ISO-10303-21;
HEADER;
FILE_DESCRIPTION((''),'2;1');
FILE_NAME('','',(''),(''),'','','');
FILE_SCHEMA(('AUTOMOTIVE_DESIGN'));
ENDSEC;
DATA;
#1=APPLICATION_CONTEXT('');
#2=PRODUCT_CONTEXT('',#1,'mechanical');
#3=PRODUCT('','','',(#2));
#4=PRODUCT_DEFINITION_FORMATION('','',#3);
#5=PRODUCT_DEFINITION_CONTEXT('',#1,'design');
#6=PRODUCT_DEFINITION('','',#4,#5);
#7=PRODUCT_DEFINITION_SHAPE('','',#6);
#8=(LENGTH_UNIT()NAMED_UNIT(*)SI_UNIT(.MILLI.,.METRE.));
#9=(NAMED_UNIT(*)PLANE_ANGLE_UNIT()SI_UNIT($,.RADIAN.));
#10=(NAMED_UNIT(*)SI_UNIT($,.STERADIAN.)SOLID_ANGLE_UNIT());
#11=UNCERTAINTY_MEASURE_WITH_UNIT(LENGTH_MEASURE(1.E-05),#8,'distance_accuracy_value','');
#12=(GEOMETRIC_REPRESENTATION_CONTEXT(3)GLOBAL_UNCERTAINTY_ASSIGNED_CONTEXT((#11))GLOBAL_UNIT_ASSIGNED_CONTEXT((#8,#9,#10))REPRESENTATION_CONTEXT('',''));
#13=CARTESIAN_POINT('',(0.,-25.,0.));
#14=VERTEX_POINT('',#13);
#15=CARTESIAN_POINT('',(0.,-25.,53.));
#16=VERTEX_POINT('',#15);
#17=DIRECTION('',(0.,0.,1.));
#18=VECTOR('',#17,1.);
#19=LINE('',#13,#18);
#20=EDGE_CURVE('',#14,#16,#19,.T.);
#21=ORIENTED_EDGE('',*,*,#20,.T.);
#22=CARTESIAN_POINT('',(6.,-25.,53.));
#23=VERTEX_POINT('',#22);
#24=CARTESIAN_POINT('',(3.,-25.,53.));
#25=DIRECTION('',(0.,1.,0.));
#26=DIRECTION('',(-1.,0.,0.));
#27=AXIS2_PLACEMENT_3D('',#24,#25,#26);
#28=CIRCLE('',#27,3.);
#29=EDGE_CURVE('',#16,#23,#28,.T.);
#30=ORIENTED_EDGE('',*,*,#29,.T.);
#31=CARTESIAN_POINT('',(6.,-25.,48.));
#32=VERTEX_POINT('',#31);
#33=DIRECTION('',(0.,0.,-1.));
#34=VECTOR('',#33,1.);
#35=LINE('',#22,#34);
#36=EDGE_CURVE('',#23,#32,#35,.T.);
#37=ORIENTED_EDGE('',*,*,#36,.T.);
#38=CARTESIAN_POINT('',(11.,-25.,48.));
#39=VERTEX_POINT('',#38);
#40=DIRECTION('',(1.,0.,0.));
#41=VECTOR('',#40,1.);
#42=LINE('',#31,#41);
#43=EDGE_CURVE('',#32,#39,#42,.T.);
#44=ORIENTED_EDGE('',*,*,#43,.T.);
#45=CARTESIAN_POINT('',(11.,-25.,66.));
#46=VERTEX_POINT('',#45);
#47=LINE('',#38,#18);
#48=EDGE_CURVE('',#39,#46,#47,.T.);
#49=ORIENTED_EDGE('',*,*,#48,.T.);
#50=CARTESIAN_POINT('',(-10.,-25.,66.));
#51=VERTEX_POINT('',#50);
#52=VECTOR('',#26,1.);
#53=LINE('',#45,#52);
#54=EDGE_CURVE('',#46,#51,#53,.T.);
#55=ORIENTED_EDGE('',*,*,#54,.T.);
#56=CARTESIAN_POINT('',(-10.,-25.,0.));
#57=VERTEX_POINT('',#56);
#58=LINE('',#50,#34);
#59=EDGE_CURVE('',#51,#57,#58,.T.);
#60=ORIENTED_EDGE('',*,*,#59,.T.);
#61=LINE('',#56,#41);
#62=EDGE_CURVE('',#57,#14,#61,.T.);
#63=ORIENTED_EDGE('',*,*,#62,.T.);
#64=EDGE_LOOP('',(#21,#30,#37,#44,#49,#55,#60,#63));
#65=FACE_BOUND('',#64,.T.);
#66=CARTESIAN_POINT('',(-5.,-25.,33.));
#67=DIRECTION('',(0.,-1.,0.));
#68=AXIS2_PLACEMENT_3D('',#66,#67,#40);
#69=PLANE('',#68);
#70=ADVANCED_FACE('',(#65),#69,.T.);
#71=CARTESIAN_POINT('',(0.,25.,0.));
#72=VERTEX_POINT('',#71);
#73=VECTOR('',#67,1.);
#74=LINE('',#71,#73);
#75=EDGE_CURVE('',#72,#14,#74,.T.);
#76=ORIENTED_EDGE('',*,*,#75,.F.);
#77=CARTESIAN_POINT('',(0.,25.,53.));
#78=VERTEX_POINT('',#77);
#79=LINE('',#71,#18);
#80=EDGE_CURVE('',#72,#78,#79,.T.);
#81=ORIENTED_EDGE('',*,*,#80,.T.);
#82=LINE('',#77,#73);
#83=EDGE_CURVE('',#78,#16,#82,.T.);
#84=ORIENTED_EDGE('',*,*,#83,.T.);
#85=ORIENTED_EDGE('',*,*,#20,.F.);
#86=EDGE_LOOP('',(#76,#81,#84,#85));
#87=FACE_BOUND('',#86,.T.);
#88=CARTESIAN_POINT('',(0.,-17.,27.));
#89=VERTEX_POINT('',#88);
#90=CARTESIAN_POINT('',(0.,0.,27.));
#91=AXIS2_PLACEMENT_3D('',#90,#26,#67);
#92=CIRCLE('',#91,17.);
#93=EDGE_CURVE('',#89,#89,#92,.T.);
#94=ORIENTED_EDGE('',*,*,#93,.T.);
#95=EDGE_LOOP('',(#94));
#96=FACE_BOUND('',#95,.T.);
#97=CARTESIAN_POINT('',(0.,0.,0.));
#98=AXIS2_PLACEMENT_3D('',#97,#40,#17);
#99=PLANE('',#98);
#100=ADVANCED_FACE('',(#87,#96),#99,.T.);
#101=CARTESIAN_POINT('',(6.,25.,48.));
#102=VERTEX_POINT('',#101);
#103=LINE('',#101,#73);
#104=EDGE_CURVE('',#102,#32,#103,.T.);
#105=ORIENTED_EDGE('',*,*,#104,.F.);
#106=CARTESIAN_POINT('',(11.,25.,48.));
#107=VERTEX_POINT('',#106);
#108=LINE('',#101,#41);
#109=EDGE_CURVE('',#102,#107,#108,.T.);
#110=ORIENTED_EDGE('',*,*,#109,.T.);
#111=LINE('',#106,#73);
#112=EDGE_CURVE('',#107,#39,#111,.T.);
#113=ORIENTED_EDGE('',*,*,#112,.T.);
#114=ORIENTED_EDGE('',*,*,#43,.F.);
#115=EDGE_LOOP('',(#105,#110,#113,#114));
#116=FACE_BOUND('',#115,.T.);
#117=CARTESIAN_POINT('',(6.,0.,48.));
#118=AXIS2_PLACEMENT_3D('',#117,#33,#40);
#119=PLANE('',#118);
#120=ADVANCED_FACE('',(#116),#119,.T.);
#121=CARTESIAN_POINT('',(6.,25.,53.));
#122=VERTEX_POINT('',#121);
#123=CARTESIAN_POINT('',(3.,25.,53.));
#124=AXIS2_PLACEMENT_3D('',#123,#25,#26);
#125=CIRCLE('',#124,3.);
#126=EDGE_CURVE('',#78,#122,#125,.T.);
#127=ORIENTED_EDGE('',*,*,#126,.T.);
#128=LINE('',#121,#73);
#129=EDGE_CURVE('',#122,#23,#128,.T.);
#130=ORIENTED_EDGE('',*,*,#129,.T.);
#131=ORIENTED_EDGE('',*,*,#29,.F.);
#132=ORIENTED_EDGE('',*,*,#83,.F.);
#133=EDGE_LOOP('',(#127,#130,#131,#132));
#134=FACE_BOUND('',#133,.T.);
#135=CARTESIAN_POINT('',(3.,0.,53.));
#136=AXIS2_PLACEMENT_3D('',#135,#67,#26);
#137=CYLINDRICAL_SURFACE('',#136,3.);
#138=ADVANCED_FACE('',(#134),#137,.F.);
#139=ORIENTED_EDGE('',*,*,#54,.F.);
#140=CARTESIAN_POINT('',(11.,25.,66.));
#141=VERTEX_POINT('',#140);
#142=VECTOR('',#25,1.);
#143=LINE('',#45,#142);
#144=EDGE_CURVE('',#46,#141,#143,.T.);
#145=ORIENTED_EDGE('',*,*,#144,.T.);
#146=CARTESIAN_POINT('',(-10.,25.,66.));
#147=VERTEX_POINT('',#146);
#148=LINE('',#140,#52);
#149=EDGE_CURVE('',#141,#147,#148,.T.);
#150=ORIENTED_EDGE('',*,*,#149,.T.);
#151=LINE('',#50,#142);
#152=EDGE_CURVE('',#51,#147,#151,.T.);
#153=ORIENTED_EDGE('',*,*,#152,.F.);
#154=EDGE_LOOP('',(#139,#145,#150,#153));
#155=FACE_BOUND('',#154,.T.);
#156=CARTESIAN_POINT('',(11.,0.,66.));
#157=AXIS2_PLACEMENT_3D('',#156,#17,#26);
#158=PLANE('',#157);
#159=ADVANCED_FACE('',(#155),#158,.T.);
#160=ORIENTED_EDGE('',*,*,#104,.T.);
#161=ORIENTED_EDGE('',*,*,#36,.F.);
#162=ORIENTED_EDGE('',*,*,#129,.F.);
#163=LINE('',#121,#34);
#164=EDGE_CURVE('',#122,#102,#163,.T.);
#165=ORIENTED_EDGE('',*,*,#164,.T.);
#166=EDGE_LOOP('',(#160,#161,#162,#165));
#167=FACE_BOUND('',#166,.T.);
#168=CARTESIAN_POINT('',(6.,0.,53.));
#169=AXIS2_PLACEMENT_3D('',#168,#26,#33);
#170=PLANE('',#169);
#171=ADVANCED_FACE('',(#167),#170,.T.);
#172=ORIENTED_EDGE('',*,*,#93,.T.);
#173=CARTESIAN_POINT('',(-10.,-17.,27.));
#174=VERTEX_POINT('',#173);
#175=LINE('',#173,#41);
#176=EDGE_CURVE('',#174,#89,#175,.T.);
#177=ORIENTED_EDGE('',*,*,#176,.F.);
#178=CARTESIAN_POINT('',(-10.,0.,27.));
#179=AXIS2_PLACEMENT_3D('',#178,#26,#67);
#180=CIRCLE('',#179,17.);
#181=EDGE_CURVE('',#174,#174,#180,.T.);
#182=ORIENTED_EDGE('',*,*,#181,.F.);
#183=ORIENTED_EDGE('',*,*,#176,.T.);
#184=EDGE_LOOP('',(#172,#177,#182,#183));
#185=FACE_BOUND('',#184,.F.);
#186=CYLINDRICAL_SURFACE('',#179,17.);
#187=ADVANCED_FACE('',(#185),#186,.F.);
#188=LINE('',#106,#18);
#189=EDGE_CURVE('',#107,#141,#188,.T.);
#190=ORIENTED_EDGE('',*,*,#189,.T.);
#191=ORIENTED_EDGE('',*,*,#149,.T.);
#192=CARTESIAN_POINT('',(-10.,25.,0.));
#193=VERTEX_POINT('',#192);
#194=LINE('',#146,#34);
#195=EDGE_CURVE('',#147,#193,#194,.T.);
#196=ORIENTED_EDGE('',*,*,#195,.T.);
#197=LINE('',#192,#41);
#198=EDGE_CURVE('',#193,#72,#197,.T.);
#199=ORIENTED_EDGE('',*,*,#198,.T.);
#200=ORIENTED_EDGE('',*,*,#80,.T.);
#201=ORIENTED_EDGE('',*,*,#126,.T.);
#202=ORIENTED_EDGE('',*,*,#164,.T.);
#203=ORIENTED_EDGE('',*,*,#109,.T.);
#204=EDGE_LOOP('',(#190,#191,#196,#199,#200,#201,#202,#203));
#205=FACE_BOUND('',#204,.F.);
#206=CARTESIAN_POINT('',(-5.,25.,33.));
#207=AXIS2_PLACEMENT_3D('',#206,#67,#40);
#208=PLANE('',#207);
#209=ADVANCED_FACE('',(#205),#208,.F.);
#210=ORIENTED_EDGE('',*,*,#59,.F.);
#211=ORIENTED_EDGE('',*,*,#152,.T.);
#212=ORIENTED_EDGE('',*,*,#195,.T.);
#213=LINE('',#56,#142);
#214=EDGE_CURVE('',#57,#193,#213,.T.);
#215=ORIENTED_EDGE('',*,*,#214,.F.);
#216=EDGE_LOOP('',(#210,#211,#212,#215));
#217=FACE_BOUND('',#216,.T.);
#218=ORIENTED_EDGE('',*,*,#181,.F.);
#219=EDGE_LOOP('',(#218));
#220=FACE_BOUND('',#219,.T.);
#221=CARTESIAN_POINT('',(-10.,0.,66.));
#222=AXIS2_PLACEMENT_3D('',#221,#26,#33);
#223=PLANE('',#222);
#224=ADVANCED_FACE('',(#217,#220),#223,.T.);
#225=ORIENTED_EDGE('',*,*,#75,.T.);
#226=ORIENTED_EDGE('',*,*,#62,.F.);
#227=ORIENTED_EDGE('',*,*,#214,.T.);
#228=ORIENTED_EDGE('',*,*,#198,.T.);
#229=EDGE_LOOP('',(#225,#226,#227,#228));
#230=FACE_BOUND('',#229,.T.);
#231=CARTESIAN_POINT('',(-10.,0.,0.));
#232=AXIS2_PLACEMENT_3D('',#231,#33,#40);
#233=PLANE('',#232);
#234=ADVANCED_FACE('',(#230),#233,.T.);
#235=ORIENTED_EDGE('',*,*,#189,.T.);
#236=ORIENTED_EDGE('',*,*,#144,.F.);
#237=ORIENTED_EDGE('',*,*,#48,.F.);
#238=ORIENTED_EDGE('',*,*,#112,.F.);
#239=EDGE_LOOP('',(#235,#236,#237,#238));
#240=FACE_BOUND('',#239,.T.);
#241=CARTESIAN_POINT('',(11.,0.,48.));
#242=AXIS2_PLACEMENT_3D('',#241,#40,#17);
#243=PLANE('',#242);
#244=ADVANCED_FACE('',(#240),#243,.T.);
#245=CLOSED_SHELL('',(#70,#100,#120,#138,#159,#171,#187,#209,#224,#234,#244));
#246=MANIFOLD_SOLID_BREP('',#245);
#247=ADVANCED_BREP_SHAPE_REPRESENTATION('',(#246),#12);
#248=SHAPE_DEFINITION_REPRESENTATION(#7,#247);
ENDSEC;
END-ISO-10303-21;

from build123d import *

# Parameters (mm, degrees)
F1_DEPTH = 25
F2_R     = 17
F3_DEPTH = 10


with BuildPart() as f1:
    # F0 (on Front) → F1 (new body, symmetric)
    with BuildSketch(Plane.XZ):
        Polygon((-10, 0), (0, 0), (0, 53), (0, 66), (-10, 66), align=None)
        with BuildLine():
            Line((0, 66), (0, 53))
            ThreePointArc((0, 53), (3, 56), (6, 53))
            Line((6, 53), (6, 66))
            Line((6, 66), (0, 66))
        make_face()
        Polygon((6, 66), (6, 53), (6, 48), (11, 48), (11, 66), align=None)
    extrude(amount=F1_DEPTH, both=True)

    # F2 (on face) → F3 (cut, through all)
    with BuildSketch(Plane(origin=(-10, 0, 0), x_dir=(0, -1, 0), z_dir=(-1, 0, 0))):
        with Locations((0, 27)):
            Circle(F2_R)
    extrude(amount=-F3_DEPTH, mode=Mode.SUBTRACT)


solid = f1.part
